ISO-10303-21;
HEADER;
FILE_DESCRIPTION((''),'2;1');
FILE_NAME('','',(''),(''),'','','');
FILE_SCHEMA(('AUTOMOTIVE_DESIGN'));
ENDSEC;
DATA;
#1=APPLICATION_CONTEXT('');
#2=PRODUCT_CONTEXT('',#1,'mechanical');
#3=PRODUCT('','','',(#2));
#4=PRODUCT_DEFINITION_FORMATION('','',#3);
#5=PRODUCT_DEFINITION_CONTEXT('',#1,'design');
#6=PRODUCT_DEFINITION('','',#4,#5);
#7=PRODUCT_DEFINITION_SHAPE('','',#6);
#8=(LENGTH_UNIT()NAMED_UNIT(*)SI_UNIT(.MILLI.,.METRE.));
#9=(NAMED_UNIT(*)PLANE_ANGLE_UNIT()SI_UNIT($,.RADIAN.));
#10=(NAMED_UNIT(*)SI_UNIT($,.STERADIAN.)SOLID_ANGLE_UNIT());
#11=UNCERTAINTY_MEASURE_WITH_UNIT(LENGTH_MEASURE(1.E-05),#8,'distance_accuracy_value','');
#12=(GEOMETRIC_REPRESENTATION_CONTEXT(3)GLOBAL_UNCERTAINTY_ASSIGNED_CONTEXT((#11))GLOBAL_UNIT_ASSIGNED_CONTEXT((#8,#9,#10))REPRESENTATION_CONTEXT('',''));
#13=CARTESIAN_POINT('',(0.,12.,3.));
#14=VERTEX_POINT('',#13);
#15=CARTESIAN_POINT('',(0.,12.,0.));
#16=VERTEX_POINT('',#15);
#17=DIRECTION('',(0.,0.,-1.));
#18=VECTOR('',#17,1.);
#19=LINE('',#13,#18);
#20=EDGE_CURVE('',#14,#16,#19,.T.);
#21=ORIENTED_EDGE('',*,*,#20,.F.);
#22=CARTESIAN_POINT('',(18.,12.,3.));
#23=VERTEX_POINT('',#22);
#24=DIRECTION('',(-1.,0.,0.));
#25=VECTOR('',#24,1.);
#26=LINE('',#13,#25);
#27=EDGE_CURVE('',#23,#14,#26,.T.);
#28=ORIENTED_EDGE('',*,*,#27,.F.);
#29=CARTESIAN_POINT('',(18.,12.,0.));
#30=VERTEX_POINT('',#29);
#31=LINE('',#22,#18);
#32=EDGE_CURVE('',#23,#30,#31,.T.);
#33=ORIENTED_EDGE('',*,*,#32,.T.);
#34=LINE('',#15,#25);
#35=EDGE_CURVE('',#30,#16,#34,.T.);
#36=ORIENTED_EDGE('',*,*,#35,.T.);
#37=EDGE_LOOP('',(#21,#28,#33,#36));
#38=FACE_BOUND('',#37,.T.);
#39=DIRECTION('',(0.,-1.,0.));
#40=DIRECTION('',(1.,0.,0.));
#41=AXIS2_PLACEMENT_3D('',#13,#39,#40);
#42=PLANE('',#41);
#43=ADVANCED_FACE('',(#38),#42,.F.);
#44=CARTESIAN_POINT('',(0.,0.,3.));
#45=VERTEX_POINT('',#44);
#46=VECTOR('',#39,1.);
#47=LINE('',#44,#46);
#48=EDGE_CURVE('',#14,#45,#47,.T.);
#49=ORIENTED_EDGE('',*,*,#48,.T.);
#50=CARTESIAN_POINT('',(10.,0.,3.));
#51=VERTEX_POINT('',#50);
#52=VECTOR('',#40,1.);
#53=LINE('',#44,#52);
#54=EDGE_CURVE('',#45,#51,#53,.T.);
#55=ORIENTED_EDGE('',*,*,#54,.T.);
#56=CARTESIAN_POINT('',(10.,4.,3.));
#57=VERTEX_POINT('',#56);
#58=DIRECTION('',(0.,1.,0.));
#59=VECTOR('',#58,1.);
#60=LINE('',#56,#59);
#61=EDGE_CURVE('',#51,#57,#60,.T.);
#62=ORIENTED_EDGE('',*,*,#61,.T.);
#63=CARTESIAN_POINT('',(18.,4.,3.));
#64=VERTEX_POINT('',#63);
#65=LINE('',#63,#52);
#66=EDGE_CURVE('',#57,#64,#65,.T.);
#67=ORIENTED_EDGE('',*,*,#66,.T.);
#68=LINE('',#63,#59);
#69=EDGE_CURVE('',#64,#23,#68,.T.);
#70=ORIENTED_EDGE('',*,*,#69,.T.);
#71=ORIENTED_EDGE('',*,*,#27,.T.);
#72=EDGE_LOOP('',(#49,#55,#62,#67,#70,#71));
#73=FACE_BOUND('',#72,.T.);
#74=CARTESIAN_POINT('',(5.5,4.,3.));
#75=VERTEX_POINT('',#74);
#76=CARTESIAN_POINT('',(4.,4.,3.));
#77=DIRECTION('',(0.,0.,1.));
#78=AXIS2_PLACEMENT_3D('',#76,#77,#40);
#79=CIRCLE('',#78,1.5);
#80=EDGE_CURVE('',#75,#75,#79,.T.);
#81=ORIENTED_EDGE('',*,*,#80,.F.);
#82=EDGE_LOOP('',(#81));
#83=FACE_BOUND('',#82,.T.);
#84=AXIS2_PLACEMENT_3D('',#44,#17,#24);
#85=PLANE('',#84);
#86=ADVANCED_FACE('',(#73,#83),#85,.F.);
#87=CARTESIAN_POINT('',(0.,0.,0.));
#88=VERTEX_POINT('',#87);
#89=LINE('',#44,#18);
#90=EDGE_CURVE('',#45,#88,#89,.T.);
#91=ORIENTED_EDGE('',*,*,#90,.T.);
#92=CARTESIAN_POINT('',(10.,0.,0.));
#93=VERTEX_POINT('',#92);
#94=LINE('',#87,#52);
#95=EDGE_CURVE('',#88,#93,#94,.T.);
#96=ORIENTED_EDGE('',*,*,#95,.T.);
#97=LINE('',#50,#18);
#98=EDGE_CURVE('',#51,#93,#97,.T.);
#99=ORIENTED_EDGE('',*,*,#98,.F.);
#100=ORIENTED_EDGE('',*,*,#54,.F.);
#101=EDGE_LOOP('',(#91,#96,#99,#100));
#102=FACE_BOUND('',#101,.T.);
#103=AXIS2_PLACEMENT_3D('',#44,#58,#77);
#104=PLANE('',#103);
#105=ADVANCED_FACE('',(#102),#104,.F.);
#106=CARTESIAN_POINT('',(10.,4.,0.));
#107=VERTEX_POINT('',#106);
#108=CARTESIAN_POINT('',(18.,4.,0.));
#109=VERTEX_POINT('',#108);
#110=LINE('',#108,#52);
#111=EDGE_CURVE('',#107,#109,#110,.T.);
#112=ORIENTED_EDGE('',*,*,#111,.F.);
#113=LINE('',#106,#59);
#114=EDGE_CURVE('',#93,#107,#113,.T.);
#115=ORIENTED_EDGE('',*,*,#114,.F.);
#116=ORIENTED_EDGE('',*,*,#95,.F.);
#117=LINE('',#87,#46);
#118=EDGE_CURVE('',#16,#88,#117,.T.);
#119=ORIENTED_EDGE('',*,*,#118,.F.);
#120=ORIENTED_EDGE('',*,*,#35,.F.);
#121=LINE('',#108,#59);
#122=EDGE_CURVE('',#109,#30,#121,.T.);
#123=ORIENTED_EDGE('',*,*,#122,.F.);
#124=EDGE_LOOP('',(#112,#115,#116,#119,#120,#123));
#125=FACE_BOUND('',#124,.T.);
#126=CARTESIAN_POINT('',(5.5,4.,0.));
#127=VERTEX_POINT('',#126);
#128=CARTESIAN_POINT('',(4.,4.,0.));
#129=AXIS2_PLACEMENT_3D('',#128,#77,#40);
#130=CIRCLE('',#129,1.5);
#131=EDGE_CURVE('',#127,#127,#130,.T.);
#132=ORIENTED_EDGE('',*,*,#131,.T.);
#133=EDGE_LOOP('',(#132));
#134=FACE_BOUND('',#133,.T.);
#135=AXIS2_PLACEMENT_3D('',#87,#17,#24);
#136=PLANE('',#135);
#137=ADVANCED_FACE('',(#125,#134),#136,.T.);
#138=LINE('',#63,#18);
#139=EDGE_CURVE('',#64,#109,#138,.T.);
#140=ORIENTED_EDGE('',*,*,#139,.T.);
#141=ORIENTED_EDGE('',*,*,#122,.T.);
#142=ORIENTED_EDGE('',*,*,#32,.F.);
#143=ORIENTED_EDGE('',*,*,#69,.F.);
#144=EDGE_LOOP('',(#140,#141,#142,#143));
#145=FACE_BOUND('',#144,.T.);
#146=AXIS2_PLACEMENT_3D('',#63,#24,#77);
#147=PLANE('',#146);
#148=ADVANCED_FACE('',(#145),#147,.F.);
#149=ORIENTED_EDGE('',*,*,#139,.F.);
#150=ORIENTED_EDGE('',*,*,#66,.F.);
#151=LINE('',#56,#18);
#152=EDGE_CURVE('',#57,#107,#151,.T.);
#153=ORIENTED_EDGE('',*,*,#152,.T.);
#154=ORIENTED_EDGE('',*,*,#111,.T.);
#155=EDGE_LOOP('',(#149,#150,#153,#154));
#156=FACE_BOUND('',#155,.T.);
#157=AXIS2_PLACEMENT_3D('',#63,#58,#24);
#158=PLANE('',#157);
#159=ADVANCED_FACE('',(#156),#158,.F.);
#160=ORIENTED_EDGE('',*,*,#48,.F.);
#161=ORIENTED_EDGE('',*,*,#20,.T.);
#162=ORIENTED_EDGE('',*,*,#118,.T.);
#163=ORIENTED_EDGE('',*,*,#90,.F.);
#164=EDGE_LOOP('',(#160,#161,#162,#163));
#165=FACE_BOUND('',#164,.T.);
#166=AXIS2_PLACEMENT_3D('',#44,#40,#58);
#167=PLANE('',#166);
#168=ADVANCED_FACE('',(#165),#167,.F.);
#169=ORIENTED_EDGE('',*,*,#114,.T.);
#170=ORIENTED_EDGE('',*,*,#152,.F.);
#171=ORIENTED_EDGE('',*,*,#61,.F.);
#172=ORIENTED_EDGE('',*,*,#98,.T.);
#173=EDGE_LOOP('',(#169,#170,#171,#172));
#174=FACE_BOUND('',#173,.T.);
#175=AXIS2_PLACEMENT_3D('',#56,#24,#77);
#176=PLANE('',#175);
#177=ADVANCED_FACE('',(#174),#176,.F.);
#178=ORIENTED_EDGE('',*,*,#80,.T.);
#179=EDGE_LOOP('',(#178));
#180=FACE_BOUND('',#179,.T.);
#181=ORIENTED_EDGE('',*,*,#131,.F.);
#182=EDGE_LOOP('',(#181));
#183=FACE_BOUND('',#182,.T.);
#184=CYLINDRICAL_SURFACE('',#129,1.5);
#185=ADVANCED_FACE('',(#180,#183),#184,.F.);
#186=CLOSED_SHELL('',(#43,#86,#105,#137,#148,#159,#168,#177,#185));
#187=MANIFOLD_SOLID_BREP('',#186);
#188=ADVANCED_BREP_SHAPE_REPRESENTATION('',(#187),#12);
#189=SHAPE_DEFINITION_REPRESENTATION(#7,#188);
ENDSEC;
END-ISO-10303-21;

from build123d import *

# Parameters (mm, degrees)
EXTRUDE_1_DEPTH     = 3
SKETCH_2_R          = 1.5
CUT_EXTRUDE_1_DEPTH = 22.840329668


with BuildPart() as part:
    # Эскиз1 → Бобышка-Вытянуть1 (new body)
    with BuildSketch(Plane.XY):
        Polygon((0, 0), (10, 0), (10, 4), (18, 4), (18, 12), (0, 12), align=None)
    extrude(amount=EXTRUDE_1_DEPTH)

    # Эскиз2 → Вырез-Вытянуть1 (cut, through all)
    with BuildSketch(Plane.XY.offset(3)):
        with Locations((4, 4)):
            Circle(SKETCH_2_R)
    extrude(amount=-CUT_EXTRUDE_1_DEPTH, mode=Mode.SUBTRACT)


solid = part.part
